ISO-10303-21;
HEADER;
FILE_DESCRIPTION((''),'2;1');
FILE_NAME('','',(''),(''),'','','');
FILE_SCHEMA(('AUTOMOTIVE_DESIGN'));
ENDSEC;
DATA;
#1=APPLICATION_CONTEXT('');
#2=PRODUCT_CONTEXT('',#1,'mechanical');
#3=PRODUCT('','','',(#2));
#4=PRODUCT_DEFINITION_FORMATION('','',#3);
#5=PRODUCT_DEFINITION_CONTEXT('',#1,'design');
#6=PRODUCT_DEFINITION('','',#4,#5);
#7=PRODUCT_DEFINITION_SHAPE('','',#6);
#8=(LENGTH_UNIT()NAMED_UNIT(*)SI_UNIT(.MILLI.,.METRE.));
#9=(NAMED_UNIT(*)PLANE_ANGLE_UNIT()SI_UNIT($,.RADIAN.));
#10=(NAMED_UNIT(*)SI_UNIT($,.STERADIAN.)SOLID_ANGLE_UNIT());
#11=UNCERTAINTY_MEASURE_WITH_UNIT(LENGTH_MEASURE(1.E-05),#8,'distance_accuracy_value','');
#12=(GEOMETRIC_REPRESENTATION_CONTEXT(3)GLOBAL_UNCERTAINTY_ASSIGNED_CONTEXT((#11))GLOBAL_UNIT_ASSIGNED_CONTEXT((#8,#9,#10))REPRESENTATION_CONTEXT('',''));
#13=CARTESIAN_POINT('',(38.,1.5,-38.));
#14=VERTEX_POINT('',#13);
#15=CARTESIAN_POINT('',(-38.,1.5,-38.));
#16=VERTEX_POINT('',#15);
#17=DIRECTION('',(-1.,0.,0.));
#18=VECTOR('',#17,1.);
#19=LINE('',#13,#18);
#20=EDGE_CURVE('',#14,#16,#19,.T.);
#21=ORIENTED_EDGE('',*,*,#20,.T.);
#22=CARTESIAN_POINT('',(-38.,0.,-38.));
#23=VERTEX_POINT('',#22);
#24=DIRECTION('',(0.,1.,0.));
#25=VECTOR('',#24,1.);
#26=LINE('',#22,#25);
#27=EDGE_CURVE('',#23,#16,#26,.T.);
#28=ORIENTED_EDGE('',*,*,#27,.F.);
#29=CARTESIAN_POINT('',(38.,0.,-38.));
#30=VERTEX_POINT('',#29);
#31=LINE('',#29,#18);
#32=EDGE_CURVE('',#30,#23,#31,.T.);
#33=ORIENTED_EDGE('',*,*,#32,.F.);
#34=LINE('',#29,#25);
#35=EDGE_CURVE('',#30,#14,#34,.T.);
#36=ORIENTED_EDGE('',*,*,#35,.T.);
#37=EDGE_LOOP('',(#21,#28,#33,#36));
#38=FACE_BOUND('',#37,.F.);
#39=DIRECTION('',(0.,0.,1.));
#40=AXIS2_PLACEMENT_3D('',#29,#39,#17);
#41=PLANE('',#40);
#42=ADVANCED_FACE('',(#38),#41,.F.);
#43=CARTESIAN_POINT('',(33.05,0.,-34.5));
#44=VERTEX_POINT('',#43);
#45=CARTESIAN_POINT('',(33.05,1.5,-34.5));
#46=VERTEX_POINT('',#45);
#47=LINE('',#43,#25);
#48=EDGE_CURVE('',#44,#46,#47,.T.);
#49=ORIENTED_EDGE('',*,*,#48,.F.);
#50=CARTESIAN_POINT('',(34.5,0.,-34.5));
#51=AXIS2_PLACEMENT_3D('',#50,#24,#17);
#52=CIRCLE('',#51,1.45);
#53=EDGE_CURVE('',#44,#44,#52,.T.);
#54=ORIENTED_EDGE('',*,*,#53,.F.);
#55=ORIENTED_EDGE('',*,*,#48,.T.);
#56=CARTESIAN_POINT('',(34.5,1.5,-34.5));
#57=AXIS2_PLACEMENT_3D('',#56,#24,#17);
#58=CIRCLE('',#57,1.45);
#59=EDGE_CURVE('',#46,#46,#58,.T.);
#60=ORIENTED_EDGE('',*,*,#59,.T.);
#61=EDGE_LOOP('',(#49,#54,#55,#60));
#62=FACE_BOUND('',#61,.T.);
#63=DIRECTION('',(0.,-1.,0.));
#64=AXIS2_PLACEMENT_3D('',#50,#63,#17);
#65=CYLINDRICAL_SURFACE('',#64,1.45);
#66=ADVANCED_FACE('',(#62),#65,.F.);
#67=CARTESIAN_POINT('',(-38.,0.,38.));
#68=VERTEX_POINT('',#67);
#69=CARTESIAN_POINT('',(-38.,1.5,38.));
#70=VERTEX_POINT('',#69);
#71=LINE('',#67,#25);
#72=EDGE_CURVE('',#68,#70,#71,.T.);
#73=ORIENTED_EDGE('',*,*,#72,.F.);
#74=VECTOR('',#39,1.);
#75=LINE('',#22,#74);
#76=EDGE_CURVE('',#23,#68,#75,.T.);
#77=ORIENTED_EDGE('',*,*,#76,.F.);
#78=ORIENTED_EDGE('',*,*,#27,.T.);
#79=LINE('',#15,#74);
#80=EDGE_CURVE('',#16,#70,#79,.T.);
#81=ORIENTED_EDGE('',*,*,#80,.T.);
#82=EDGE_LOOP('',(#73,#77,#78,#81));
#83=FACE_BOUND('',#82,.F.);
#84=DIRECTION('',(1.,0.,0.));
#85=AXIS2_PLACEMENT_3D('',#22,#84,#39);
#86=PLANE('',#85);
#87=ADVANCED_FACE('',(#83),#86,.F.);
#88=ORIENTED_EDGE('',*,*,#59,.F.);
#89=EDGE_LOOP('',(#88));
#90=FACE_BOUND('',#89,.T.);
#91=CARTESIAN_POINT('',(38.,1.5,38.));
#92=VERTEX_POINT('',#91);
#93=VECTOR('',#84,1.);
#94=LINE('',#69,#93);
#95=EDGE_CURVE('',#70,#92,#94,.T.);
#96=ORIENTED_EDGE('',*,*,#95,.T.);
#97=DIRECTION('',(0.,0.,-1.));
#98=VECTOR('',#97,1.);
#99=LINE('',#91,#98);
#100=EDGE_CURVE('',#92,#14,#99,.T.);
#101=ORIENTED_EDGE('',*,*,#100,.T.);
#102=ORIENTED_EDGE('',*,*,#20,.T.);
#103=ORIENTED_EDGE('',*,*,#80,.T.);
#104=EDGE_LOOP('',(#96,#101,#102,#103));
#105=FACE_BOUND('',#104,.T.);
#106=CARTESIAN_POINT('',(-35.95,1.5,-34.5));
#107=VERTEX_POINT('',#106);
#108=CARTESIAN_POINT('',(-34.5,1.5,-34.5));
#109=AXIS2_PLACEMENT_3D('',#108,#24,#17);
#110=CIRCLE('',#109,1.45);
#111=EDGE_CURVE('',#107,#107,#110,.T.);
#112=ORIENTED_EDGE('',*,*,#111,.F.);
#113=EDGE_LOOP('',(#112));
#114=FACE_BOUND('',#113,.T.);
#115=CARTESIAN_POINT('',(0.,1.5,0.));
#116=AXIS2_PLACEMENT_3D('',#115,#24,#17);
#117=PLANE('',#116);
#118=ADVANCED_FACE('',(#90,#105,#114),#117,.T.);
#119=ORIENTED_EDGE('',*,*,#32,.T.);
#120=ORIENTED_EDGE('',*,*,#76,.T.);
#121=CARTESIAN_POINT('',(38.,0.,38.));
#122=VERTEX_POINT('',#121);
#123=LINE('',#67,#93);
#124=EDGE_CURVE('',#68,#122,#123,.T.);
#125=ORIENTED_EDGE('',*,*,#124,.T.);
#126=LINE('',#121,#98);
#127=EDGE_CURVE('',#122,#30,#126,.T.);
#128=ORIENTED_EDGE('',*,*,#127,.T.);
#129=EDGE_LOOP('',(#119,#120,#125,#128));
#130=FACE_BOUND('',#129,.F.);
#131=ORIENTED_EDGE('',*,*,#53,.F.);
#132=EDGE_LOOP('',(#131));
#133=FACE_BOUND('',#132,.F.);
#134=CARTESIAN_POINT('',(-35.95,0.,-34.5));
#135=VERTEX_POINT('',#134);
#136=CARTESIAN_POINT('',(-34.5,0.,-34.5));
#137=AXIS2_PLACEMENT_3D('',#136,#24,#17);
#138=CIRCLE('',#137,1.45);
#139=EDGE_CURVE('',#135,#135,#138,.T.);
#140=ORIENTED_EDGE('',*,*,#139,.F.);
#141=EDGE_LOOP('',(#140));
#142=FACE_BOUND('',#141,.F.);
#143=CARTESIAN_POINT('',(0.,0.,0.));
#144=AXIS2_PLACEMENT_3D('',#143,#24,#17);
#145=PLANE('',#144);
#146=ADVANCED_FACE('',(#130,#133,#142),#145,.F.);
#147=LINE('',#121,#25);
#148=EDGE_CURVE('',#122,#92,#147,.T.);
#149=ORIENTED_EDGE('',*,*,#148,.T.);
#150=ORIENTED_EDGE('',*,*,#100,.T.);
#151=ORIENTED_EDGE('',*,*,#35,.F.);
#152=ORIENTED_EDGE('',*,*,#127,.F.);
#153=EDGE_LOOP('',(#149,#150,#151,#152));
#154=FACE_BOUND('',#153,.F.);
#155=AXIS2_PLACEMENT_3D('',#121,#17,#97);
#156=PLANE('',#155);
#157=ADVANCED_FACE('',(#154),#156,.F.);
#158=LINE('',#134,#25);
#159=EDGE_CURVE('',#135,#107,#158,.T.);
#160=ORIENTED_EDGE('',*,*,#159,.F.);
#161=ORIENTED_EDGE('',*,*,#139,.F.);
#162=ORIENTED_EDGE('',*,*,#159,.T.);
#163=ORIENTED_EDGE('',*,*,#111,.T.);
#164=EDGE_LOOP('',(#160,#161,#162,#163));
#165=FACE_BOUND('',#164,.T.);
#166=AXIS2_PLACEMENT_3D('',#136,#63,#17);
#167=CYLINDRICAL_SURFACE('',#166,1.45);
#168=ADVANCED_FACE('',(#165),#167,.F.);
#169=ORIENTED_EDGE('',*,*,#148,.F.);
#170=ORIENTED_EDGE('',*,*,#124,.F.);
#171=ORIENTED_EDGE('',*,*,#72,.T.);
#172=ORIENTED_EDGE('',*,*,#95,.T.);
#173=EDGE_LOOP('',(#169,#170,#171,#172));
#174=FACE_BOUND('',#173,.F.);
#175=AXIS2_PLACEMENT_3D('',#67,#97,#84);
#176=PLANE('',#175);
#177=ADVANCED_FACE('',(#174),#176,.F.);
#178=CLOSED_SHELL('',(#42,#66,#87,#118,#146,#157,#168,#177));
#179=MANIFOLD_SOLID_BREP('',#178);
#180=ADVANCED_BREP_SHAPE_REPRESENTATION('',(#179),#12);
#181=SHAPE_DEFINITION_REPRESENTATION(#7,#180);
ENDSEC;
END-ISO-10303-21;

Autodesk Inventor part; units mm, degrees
ref_plane "YZ Plane" through (0, 0, 0) normal (1, 0, 0) x (0, 1, 0)
ref_plane "XZ Plane" through (0, 0, 0) normal (0, 1, 0) x (-1, 0, 0)
ref_plane "XY Plane" through (0, 0, 0) normal (0, 0, 1) x (1, 0, 0)
sketch "Sketch1" plane through (0, 0, 0) normal (0, 1, 0) x (-1, 0, 0)
  line L0 (38, 38) -> (-38, 38)
  line L1 (-38, 38) -> (-38, -38)
  line L2 (-38, -38) -> (38, -38)
  line L3 (38, -38) -> (38, 38)
  line L4 (38, 38) -> (-38, -38) construction
  line L5 (-38, 38) -> (38, -38) construction
  point P0 (0, 0)
  dimension "d0" = 76
  dimension "d1" = 76
extrude "Extrusion1" add sketch "Sketch1" along normal blind 1.5
sketch "Sketch2" plane through (0, 0, 0) normal (0, 1, 0) x (-1, 0, 0)
  circle A0 centre (-34.5, -34.5) radius 1.45
  line L0 (-34.5, -34.5) -> (-38, -34.5) construction
  line L1 (-38, 38) -> (-38, -38) construction
  line L2 (-34.5, -34.5) -> (-34.5, -38) construction
  line L3 (-38, -38) -> (38, -38) construction
  line L4 (0, 0) -> (0, -38) construction
  line L5 (-38, -38) -> (38, -38) construction
  circle A1 centre (34.5, -34.5) radius 1.45
  line L6 (34.5, -34.5) -> (38, -34.5) construction
  line L7 (34.5, -34.5) -> (34.5, -38) construction
  dimension "d4" = 2.9
  dimension "d5" = 3.5
  dimension "d6" = 3.5
extrude "Extrusion2" cut sketch "Sketch2" along normal blind 1.5
properties part number "teensy_box_lid"
